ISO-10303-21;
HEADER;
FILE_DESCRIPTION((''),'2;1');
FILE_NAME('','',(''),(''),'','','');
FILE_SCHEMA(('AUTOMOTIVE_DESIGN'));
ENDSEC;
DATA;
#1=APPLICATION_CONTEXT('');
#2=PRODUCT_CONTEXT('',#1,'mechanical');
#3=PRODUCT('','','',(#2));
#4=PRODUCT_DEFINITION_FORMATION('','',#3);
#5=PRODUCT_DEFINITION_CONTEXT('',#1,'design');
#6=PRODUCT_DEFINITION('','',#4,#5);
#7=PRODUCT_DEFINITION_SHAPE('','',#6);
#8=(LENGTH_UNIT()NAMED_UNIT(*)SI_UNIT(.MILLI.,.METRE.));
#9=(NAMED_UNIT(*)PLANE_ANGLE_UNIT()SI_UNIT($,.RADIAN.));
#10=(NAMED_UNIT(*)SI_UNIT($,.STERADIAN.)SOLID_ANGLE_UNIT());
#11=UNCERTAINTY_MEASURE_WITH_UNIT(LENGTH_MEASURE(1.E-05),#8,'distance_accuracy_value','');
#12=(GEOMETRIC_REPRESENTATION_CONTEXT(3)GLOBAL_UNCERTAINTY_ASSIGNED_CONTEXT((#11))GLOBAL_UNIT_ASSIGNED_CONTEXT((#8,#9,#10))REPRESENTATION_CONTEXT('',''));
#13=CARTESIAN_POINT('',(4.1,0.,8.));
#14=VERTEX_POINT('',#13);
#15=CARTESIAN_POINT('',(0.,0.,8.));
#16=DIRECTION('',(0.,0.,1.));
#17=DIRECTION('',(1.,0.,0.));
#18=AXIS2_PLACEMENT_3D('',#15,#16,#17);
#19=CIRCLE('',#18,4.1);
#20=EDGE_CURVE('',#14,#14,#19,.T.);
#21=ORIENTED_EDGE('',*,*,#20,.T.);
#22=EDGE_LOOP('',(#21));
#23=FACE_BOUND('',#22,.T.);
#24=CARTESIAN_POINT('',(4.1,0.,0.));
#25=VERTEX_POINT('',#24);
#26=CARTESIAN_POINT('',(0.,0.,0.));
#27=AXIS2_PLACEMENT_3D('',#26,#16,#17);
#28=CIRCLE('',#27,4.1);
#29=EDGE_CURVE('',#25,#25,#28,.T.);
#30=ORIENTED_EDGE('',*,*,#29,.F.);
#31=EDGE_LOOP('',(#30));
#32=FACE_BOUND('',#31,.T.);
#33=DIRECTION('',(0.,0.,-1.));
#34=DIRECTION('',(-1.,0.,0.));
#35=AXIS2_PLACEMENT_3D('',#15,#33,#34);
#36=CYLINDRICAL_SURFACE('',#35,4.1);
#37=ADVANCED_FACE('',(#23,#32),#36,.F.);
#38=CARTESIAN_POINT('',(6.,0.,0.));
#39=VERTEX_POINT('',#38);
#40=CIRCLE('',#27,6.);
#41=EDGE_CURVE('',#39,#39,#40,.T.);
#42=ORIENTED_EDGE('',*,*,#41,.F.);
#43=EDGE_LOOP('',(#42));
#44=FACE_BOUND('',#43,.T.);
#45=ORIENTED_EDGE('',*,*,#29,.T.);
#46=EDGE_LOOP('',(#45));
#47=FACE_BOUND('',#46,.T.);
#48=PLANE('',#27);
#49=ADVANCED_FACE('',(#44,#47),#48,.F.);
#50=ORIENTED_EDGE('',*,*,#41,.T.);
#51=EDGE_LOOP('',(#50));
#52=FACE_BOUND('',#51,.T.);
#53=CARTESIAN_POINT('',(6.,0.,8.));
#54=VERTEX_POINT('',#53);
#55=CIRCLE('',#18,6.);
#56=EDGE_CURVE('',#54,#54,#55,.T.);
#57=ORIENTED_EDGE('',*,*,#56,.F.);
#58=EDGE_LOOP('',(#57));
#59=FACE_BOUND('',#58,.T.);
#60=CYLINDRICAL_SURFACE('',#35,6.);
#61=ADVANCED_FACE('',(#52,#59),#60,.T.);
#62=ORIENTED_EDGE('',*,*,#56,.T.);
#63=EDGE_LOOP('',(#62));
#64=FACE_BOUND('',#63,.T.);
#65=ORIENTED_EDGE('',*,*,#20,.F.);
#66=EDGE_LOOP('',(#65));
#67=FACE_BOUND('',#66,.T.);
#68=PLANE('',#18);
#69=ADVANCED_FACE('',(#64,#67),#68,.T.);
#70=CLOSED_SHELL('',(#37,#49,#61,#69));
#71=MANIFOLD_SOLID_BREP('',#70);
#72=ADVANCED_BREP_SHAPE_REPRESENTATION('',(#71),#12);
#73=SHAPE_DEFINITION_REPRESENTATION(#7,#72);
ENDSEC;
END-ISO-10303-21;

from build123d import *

# Parameters (mm, degrees)
PROFILE_1_R   = 6
PROFILE_1_R_2 = 4.1
SLEEVE_DEPTH  = 8


with BuildPart() as part:
    # Profile_1 → Sleeve (new body)
    with BuildSketch(Plane.XY):
        Circle(PROFILE_1_R)
        Circle(PROFILE_1_R_2, mode=Mode.SUBTRACT)
    extrude(amount=SLEEVE_DEPTH)


solid = part.part
